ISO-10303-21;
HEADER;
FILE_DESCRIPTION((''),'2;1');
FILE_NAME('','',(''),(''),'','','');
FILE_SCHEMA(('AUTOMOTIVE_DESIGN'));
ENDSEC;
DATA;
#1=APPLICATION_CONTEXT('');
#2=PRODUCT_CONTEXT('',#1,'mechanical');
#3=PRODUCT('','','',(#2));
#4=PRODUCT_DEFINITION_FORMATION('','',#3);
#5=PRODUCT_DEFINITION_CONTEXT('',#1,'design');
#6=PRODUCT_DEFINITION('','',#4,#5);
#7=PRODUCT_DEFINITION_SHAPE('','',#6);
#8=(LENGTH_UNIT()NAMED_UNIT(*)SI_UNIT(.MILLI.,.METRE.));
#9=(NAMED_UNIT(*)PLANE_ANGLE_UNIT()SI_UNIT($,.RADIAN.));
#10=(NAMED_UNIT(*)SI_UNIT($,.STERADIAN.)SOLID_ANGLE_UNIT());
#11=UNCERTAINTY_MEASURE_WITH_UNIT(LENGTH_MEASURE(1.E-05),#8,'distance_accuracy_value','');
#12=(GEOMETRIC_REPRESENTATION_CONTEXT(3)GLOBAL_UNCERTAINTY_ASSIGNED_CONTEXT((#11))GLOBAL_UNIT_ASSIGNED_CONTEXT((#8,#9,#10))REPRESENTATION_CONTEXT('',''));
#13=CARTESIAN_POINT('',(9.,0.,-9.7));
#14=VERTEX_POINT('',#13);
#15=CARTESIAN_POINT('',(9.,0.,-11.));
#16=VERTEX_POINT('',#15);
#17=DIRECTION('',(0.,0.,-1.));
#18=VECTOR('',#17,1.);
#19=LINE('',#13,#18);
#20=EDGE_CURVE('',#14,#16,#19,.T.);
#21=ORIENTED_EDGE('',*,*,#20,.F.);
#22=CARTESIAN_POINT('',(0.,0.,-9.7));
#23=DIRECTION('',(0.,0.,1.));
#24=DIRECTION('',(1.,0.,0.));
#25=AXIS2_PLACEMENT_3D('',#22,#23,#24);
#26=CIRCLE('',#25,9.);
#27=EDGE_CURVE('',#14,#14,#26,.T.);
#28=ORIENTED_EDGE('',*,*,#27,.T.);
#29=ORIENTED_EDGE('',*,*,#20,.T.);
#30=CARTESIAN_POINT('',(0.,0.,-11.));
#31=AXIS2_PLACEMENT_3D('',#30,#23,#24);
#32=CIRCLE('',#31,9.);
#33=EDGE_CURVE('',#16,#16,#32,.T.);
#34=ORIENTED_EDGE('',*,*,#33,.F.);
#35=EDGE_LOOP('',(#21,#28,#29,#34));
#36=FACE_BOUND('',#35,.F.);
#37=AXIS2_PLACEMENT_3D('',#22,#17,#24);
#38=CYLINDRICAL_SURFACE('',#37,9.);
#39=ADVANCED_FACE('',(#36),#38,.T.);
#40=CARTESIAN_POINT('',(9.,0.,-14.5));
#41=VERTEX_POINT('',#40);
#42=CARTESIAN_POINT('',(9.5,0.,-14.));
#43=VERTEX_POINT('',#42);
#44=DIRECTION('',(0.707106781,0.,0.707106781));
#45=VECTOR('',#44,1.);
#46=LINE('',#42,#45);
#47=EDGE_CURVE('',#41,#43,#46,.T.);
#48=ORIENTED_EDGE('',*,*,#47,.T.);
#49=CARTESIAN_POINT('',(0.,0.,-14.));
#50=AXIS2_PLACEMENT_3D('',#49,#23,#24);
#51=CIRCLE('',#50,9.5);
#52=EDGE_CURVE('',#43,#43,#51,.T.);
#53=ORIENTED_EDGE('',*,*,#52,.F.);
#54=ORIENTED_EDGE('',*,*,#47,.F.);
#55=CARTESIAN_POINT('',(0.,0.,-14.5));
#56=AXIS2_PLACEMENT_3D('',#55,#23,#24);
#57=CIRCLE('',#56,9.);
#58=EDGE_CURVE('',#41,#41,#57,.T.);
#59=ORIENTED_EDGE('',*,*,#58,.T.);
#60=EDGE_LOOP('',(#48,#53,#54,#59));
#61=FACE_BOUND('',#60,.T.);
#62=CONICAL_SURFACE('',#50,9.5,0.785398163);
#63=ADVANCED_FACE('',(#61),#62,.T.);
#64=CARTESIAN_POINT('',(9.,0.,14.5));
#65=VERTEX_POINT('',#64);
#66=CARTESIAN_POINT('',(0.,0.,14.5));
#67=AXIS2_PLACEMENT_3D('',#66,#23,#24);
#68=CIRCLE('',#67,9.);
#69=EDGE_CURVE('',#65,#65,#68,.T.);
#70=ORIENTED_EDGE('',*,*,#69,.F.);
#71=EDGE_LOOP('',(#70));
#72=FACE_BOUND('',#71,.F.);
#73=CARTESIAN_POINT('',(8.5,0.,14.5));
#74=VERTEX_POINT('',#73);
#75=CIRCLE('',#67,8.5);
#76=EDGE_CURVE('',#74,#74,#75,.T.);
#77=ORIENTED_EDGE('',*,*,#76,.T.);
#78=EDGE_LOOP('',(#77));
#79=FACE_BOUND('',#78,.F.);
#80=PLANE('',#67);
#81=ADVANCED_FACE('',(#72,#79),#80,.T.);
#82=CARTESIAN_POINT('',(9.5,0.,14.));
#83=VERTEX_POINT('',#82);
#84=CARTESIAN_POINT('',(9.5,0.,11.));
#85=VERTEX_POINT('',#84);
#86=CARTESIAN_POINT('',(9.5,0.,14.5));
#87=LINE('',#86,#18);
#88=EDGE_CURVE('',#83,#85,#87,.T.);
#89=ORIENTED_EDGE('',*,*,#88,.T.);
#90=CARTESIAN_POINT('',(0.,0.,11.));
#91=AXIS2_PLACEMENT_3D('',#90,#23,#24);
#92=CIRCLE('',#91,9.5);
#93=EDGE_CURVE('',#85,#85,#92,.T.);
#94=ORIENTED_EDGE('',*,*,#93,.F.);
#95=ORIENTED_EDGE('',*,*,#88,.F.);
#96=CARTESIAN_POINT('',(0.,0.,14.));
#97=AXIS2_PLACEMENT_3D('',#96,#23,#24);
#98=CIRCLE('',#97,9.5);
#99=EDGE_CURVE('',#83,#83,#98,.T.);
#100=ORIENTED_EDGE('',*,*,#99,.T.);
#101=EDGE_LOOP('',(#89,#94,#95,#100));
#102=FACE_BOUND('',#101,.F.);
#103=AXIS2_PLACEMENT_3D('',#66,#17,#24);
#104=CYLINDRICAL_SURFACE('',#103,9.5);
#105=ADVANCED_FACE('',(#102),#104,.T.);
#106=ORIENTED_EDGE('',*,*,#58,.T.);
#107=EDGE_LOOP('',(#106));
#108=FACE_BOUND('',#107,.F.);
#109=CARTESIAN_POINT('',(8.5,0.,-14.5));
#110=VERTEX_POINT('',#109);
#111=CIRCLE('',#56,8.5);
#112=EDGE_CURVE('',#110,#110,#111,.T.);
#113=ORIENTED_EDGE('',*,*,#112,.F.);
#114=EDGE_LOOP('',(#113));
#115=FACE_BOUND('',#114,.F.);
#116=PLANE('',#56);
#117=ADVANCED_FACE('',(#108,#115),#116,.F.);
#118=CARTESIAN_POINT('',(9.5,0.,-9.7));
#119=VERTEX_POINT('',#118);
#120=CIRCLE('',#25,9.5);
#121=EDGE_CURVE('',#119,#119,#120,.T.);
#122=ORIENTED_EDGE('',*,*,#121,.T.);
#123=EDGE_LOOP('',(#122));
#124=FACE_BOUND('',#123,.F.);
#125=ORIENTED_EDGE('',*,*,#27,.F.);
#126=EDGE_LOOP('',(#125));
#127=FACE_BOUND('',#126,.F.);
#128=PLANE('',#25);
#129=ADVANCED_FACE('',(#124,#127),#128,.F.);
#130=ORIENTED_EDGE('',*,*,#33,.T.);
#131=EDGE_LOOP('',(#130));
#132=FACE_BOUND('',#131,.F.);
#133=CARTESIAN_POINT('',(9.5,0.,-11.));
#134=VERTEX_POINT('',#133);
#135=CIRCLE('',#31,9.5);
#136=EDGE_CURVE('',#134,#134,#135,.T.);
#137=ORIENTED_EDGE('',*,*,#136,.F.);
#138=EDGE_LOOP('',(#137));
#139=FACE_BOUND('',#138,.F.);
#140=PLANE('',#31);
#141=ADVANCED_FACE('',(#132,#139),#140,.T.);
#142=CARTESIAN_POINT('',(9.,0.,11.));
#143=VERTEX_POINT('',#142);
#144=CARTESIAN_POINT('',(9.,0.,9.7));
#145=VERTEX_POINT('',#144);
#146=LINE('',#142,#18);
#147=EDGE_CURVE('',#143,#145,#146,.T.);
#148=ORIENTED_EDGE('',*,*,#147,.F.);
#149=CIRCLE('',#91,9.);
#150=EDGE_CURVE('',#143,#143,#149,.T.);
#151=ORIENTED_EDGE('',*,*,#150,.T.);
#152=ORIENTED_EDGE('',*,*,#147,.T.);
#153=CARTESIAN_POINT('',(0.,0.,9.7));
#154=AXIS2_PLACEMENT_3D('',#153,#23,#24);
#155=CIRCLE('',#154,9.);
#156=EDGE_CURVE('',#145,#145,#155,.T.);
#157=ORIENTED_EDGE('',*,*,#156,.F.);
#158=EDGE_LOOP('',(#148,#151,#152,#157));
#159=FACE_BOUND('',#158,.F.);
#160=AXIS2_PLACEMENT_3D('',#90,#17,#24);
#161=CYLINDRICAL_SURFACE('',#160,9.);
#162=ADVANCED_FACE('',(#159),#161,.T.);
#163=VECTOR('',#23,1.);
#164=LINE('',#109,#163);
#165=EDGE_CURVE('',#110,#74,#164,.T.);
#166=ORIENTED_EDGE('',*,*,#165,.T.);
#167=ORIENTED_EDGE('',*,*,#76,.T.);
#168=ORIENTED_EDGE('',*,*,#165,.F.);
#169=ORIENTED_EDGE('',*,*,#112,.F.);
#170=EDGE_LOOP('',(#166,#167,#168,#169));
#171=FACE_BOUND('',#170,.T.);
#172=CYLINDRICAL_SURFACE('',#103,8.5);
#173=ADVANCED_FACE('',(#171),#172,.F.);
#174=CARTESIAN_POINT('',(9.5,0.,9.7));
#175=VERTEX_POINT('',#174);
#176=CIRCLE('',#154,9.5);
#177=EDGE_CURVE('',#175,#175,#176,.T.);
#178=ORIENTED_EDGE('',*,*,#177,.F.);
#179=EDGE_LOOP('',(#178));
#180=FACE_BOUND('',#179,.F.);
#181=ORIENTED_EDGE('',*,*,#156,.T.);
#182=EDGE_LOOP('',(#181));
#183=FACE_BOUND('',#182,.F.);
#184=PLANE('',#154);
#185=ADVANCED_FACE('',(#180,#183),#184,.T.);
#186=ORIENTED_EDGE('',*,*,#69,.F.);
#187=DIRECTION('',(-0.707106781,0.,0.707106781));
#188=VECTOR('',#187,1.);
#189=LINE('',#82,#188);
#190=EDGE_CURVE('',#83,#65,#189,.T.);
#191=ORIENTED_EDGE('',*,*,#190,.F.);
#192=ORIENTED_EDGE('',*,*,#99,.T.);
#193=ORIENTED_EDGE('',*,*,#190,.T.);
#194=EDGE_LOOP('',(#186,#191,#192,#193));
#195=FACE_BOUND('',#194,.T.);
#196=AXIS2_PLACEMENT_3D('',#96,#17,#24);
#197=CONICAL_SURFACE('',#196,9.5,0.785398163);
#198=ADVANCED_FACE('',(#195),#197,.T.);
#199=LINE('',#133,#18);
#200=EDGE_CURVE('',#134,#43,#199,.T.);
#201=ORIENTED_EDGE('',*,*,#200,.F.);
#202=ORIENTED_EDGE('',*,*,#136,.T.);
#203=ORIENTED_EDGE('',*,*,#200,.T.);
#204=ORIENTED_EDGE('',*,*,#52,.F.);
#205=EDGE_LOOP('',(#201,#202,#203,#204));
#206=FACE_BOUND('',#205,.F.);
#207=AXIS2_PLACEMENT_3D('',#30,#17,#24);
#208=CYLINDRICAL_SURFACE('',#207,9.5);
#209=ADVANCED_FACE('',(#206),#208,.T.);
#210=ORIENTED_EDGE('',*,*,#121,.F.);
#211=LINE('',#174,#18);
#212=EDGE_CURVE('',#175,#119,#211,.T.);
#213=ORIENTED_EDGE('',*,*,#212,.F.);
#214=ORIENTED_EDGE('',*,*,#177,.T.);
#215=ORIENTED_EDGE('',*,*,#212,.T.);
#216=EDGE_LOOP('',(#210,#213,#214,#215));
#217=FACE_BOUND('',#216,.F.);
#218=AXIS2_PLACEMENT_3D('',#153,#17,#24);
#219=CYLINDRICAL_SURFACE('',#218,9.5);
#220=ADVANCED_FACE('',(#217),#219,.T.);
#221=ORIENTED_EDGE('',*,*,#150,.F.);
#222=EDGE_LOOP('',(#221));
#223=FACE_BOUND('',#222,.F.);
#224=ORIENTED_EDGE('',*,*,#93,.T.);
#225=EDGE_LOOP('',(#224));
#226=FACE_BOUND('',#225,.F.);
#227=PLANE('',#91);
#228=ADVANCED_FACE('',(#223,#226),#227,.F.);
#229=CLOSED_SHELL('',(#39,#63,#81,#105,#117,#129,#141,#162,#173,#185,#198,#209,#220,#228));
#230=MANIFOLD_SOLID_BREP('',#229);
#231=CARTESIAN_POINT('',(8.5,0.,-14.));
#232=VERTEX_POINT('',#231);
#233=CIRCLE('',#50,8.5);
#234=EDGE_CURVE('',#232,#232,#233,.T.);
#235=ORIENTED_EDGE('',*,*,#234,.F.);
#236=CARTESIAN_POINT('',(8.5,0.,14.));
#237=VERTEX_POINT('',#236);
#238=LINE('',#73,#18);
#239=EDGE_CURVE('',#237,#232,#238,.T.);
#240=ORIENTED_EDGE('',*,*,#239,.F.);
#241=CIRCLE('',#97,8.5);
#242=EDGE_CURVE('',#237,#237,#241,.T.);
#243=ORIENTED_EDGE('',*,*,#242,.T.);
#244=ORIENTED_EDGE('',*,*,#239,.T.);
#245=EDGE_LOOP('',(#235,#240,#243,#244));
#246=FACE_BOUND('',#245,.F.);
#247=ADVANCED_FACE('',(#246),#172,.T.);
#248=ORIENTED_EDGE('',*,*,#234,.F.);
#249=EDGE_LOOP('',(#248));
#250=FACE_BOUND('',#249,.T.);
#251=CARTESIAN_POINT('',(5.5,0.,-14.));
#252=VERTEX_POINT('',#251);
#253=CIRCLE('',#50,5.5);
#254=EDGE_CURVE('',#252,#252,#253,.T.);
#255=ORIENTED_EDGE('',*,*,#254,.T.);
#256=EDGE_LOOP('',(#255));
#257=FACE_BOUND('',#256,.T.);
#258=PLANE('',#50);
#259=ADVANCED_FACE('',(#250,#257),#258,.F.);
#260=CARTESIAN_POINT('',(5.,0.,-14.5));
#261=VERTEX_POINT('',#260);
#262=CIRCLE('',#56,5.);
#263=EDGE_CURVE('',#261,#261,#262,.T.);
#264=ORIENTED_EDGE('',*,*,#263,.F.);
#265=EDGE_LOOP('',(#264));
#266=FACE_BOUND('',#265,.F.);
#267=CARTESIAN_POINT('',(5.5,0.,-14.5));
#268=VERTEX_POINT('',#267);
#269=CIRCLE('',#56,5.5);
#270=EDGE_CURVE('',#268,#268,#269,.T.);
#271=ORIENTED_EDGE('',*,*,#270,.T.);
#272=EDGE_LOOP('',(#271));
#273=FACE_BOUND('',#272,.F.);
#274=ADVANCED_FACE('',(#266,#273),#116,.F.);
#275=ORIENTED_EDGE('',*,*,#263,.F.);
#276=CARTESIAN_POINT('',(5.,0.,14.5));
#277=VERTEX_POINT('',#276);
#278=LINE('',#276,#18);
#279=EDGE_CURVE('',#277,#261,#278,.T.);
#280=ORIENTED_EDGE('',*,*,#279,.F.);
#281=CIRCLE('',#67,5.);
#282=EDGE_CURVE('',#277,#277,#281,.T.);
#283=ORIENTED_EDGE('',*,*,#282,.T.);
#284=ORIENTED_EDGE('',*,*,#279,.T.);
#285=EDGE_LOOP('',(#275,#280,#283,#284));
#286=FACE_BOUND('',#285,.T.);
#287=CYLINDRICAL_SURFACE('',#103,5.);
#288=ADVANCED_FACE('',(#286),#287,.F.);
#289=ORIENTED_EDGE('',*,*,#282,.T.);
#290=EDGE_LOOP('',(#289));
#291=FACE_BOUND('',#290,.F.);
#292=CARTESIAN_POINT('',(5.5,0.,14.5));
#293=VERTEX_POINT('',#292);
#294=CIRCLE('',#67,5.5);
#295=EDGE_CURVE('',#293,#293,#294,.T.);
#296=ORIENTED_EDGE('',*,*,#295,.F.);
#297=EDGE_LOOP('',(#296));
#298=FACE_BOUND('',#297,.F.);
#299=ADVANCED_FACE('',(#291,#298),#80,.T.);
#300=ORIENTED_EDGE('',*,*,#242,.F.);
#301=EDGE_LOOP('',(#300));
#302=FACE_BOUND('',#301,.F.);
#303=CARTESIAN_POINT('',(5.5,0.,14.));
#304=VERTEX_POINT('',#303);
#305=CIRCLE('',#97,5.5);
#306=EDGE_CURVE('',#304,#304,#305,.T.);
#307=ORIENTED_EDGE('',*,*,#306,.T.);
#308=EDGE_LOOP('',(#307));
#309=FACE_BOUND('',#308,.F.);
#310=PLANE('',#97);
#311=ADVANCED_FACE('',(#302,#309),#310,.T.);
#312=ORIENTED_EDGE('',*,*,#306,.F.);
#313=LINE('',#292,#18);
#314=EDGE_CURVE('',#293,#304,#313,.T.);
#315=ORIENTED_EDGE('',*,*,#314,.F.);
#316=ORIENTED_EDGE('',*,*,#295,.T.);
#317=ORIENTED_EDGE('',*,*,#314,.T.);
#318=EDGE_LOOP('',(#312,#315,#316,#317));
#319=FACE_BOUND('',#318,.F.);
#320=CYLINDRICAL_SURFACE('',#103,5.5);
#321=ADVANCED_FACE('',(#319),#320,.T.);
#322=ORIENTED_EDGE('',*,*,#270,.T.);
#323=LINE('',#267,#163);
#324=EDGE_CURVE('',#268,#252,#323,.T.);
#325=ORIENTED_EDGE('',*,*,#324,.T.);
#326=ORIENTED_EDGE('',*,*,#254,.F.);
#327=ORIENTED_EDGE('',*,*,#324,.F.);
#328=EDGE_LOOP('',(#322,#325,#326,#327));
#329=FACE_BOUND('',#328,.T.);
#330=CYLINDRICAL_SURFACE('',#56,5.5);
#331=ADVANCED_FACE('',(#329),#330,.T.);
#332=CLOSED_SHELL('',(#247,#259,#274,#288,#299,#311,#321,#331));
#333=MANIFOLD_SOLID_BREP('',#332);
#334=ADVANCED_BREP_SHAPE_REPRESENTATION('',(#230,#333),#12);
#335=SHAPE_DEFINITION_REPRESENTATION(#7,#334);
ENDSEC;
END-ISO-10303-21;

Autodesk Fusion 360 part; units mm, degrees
sketch "スケッチ1" plane through (0, 0, 0) normal (0, 1, 0) x (1, 0, 0)
  line L0 (0, 0) -> (0, -14.5)
  line L1 (0, -14.5) -> (9.5, -14.5)
  line L2 (9.5, -14.5) -> (9.5, -11)
  line L3 (9.5, -11) -> (9, -11)
  line L4 (9, -11) -> (9, -9.7)
  line L5 (9, -9.7) -> (9.5, -9.7)
  line L6 (9.5, -9.7) -> (9.5, 9.7)
  line L7 (9.5, 9.7) -> (9, 9.7)
  line L8 (9, 9.7) -> (9, 11)
  line L9 (9, 11) -> (9.5, 11)
  line L10 (9.5, 11) -> (9.5, 14.5)
  line L11 (9.5, 14.5) -> (0, 14.5)
  line L12 (0, 14.5) -> (0, 0)
  line L13 (8.5, -14.5) -> (8.5, 14.5)
  line L14 (5.5, -14.5) -> (5.5, -14)
  line L15 (5.5, -14) -> (8.5, -14)
  line L16 (5, -14.5) -> (5, 14.5)
  line L17 (5.5, 14.5) -> (5.5, 14)
  line L18 (5.5, 14) -> (8.5, 14)
  dimension "d1" = 9.5
  dimension "d2" = 14.5
  dimension "d3" = 14.5
  dimension "d4" = 9
  dimension "d5" = 3.5
  dimension "d6" = 1.3
  dimension "d7" = 3.5
  dimension "d8" = 1.3
  dimension "d9" = 8.5
  dimension "d10" = 5
  dimension "d11" = 0.5
  dimension "d12" = 0.5
  dimension "d13" = 0.5
revolve "回転1" add sketch "スケッチ1" angle 360 about axis through (0, 0, 0) along (0, 0, 1) contours L1 L11 L13 L14 L15 L16 L17 L18 makes body 1
revolve "回転2" add sketch "スケッチ1" angle 360 about axis through (0, 0, 1.75) along (0, 0, 1) separate body contours L1 L2 L3 L4 L5 L6 L7 L8 L9 L10 L11 L13 makes body 2
chamfer "面取り1" distance 0.5 angle 45 2 edges at (-8.8571, -3.4353, 14.5) (-8.8571, -3.4353, -14.5) on bodies 2
equation "d3 = d2"
equation "d7 = d5"
equation "d8 = d6"
equation "d13 = d12"
